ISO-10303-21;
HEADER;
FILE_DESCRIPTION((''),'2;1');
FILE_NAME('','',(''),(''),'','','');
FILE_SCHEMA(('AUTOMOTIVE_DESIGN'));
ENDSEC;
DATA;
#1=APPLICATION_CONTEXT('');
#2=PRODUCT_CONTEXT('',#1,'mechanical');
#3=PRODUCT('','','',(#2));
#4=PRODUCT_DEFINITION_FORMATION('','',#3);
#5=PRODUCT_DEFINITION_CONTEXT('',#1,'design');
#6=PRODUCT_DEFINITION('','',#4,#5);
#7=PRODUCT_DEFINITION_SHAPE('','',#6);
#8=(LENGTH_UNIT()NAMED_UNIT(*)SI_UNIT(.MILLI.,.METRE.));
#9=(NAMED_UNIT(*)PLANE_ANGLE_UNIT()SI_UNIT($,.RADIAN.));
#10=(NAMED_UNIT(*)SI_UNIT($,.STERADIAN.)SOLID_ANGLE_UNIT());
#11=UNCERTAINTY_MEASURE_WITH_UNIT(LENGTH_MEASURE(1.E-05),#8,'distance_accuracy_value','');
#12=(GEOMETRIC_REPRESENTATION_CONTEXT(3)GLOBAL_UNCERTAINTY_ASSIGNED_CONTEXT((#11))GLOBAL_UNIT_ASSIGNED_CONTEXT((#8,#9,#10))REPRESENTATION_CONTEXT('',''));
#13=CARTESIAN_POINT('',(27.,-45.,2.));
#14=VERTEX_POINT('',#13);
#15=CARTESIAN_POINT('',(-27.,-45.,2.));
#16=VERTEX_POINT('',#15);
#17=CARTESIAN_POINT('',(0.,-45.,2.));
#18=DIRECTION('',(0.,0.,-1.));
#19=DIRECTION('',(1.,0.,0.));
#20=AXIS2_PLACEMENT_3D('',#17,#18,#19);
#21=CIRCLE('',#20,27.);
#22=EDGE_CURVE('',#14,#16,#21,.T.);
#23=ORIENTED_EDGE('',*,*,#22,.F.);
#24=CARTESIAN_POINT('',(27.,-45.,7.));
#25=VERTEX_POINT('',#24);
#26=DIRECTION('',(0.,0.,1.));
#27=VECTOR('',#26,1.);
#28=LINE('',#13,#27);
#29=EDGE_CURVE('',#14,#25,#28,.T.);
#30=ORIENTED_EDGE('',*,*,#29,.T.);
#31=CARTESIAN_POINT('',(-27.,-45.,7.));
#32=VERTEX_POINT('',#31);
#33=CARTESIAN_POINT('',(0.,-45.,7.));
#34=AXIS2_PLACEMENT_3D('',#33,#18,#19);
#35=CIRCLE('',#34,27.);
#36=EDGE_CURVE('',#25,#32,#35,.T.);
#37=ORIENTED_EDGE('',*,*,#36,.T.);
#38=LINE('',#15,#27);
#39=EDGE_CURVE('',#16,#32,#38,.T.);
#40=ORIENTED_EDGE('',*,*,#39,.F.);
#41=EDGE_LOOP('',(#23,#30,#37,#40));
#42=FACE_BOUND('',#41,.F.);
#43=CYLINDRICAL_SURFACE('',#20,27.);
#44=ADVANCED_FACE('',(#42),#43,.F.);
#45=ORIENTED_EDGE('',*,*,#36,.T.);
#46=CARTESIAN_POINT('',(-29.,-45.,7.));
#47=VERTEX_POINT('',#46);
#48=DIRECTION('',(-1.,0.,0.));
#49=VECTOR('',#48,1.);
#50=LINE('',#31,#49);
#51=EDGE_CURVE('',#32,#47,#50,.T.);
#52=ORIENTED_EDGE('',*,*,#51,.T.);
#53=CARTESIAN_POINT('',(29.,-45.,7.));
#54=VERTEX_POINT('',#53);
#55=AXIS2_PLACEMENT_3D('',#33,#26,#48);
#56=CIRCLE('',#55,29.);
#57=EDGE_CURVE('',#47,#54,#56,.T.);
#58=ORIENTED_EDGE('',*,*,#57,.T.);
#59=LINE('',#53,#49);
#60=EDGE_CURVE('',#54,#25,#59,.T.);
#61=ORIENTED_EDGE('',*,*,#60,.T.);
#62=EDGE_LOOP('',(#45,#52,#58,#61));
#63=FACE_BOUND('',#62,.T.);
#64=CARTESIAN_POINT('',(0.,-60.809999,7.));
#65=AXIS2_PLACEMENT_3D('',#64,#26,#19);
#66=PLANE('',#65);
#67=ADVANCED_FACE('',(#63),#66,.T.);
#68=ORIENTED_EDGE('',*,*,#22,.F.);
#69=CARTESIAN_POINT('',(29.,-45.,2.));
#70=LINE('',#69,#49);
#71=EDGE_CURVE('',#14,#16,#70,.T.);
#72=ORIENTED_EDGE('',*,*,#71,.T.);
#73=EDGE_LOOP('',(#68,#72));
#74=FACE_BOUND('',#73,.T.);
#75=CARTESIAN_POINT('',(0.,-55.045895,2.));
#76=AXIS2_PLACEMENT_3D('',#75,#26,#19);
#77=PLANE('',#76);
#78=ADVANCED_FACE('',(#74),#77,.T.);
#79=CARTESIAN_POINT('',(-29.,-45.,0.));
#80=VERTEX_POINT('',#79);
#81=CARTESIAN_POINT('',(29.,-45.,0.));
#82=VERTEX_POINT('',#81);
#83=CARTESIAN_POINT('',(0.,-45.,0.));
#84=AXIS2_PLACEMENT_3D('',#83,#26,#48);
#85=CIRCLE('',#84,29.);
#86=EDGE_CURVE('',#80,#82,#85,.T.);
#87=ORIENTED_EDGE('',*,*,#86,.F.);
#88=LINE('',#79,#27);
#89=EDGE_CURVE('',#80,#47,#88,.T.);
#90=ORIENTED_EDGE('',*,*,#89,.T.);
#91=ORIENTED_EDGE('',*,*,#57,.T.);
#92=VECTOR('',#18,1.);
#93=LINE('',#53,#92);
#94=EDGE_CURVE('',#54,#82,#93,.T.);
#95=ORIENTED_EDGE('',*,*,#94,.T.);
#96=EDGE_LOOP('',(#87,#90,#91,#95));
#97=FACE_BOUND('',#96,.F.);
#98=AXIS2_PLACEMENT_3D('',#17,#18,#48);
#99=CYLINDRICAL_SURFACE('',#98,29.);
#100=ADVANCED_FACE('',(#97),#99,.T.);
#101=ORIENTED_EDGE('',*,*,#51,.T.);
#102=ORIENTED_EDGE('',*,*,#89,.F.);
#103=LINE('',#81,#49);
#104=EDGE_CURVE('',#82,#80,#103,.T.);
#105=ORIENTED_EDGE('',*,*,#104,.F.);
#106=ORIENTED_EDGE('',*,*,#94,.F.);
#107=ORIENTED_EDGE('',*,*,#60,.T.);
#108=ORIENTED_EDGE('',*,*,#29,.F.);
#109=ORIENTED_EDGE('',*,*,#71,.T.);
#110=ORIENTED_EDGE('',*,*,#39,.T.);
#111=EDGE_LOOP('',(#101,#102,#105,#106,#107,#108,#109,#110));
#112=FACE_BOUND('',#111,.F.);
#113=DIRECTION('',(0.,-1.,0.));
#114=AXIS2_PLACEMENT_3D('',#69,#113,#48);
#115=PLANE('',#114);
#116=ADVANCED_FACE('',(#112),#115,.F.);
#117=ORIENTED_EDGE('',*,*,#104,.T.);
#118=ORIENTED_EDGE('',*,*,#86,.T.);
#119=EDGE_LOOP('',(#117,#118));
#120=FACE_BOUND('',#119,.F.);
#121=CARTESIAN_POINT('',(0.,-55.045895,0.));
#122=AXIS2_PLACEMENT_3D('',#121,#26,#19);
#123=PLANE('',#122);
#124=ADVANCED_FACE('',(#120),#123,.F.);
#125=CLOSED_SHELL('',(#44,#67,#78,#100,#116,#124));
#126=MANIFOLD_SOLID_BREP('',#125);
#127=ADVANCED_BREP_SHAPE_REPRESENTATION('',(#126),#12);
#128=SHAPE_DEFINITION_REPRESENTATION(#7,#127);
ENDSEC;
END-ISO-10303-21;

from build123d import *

# Parameters (mm, degrees)
F1_DEPTH = 2
F3_DEPTH = 5


with BuildPart() as f1:
    # F0 (on Top) → F1 (new body)
    with BuildSketch(Plane.XY):
        with BuildLine():
            Line((-27, -45), (-29, -45))
            ThreePointArc((-29, -45), (0, -74), (29, -45))
            Line((29, -45), (27, -45))
            Line((27, -45), (-27, -45))
        make_face()
    extrude(amount=F1_DEPTH)

    # F2 (on face) → F3 (join)
    with BuildSketch(Plane.XY.offset(2)):
        with BuildLine():
            ThreePointArc((27, -45), (0, -72), (-27, -45))
            Line((-27, -45), (-29, -45))
            ThreePointArc((-29, -45), (0, -74), (29, -45))
            Line((29, -45), (27, -45))
        make_face()
    extrude(amount=F3_DEPTH)


solid = f1.part
